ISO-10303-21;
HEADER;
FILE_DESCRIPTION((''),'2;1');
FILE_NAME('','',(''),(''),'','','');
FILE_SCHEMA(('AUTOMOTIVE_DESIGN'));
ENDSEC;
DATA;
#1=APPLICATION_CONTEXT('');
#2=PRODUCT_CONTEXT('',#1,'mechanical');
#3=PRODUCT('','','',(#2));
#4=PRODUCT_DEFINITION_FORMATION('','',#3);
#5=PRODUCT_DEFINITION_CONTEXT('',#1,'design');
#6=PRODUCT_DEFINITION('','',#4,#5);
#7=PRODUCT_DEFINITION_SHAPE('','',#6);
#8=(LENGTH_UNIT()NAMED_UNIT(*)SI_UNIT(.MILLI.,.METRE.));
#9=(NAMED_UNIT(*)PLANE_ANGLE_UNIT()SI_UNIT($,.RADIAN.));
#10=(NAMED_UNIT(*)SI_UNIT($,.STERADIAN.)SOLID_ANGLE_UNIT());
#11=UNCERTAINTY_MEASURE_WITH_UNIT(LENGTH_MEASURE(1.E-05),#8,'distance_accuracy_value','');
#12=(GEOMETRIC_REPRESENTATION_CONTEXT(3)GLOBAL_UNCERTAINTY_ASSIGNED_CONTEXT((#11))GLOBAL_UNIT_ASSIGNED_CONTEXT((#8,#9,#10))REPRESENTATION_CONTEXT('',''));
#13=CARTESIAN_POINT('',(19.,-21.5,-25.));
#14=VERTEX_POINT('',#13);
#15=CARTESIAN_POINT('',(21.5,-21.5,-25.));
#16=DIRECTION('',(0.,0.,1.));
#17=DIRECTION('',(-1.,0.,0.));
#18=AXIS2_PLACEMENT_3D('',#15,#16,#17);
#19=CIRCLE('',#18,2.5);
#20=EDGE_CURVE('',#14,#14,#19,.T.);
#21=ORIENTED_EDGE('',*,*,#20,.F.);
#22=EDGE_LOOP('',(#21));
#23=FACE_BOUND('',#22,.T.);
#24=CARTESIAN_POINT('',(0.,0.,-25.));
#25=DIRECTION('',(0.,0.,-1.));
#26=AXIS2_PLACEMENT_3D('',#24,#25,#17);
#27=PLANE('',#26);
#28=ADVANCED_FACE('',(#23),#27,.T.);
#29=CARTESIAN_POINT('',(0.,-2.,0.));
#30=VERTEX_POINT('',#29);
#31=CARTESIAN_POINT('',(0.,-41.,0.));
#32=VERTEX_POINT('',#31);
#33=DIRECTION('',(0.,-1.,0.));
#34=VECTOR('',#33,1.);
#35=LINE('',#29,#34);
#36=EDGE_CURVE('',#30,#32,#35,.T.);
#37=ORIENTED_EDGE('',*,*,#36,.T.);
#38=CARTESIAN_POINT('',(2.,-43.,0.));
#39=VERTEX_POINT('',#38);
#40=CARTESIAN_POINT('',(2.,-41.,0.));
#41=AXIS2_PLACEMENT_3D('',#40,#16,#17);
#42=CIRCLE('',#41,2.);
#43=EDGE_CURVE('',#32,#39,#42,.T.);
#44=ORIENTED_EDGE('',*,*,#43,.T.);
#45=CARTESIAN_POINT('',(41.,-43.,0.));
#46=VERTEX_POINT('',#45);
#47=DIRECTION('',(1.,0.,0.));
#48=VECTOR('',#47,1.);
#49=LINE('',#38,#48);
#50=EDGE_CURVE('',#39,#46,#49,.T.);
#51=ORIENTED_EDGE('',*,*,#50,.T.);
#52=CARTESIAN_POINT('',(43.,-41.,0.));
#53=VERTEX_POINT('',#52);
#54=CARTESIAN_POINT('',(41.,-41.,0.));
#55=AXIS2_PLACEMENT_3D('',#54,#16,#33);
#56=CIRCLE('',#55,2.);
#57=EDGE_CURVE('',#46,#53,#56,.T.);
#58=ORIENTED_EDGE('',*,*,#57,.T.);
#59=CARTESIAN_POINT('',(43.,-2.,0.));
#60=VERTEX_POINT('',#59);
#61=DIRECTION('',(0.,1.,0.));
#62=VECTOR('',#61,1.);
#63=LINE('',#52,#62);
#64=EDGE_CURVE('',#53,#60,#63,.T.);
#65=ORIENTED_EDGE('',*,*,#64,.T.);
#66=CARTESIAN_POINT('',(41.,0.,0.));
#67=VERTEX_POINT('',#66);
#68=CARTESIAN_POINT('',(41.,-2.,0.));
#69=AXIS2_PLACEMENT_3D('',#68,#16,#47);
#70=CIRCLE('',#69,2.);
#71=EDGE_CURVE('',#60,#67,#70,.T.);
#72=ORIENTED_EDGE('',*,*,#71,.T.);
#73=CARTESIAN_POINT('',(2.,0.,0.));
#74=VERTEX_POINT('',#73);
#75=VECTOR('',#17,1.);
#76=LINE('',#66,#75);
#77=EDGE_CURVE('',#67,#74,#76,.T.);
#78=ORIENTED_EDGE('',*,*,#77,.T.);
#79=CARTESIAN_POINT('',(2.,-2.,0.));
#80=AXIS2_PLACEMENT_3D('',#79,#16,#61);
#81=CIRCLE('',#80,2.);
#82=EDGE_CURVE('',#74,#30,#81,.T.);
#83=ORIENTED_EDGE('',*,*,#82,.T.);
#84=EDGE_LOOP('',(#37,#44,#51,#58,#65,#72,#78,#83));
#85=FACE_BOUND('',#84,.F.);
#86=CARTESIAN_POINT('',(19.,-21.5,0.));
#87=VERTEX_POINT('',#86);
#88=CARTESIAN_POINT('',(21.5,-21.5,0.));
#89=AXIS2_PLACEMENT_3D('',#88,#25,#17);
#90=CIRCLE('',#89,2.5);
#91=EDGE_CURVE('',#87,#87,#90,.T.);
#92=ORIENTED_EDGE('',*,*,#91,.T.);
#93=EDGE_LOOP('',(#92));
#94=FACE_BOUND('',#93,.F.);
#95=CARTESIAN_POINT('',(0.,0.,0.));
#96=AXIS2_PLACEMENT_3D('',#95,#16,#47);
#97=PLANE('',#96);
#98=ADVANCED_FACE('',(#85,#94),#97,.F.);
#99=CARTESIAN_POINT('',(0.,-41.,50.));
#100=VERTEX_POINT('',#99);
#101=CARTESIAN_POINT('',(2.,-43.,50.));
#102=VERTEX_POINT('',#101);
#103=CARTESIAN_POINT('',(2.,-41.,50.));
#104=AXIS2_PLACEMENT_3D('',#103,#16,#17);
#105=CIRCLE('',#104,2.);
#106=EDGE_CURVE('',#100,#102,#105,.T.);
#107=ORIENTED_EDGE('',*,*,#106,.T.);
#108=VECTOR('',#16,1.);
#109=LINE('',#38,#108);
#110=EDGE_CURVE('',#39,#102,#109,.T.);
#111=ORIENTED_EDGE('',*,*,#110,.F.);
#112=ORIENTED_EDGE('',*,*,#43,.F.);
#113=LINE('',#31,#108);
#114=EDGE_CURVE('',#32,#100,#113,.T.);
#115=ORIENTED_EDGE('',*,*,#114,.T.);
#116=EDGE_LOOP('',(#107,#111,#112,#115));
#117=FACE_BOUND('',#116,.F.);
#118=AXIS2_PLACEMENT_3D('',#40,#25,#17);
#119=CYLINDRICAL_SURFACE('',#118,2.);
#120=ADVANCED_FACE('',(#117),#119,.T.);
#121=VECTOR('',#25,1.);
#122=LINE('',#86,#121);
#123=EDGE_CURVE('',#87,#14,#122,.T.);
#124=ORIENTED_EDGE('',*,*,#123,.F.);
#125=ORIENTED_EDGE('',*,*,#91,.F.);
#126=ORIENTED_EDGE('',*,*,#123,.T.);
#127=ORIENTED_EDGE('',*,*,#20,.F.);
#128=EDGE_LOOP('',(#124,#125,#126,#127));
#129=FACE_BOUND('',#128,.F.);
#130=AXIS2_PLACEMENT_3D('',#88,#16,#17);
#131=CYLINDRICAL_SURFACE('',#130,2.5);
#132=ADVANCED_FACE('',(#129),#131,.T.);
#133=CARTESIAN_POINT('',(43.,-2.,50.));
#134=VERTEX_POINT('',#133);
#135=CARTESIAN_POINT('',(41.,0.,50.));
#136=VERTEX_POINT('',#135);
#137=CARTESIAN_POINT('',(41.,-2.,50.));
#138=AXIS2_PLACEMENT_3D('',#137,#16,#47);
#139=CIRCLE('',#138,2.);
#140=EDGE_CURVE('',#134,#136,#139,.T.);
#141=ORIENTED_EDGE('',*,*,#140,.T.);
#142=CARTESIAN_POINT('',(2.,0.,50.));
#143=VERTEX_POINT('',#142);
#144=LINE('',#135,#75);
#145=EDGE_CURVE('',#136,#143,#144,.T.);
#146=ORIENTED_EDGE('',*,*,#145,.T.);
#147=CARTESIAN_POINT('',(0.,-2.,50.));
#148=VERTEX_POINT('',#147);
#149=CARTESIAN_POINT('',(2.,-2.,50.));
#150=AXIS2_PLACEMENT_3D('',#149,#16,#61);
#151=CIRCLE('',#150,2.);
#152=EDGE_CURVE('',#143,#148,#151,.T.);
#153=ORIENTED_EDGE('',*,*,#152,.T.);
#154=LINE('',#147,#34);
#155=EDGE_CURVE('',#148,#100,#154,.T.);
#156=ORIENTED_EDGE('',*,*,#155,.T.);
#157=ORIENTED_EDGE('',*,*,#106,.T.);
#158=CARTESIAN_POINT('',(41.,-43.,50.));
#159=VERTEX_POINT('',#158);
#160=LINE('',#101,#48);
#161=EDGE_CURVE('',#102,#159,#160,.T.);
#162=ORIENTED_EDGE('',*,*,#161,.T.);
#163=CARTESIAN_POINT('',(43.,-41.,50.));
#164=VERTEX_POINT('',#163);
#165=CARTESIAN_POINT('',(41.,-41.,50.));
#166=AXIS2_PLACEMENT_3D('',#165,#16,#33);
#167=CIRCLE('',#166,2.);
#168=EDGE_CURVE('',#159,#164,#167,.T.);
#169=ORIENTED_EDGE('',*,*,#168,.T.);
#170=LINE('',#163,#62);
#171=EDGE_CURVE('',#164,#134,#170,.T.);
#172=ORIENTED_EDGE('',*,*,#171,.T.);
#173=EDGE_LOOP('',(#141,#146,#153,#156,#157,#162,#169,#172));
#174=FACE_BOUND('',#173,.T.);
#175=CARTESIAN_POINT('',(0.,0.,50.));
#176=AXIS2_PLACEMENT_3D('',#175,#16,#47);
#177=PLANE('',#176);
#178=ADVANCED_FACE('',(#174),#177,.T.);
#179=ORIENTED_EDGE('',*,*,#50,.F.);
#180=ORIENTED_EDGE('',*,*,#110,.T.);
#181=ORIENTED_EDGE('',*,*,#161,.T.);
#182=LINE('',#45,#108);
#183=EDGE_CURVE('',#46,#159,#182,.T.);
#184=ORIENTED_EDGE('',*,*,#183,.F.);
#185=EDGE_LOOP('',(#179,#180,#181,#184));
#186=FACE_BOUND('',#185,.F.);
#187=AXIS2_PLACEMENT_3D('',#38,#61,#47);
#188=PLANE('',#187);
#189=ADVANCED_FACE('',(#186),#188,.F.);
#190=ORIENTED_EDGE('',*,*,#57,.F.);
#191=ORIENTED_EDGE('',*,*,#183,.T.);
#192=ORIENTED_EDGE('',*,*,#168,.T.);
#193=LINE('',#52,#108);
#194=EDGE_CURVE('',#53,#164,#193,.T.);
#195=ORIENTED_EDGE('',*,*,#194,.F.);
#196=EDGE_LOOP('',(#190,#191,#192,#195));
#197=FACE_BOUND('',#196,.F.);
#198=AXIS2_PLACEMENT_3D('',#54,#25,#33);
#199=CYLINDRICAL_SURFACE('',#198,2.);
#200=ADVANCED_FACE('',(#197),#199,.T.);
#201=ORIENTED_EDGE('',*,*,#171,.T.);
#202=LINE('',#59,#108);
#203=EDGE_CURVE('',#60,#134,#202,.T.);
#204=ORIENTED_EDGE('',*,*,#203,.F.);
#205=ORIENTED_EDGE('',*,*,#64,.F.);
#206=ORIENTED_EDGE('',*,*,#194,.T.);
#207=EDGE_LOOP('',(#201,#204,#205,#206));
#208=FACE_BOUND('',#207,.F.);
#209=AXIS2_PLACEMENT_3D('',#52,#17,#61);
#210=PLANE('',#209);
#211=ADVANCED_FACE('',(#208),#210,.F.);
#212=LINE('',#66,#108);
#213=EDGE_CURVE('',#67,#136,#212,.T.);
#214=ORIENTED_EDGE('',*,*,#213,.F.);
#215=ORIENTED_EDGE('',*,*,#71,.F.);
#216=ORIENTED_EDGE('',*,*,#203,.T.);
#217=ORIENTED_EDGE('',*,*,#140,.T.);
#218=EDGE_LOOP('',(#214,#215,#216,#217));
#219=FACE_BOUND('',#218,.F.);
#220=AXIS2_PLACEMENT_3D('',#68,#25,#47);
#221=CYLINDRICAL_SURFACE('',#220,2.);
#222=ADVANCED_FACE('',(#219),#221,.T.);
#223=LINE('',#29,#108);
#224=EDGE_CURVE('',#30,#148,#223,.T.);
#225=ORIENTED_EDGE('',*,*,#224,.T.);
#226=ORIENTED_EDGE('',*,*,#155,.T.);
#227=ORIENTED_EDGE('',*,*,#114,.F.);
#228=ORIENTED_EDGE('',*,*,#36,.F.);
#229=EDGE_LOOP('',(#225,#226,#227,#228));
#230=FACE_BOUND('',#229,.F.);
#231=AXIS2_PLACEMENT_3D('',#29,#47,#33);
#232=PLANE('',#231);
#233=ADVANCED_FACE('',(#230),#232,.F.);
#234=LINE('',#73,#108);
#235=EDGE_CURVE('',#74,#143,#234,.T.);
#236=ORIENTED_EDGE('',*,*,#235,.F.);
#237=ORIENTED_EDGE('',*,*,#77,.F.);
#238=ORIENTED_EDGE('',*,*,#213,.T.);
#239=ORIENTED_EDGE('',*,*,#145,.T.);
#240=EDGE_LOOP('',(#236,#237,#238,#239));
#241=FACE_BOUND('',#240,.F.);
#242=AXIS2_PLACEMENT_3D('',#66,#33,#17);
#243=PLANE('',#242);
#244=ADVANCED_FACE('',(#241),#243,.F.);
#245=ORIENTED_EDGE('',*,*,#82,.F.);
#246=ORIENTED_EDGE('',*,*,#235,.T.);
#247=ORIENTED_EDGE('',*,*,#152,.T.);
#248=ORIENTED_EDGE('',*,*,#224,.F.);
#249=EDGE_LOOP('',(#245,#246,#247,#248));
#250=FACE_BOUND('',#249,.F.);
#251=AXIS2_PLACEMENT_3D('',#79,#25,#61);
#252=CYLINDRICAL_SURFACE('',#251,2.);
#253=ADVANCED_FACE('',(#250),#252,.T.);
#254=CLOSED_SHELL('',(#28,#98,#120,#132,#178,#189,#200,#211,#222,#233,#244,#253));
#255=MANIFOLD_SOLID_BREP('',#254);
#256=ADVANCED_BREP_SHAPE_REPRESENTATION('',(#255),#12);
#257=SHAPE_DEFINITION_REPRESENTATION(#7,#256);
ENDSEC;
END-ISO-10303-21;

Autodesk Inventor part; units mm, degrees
ref_plane "YZ Plane" through (0, 0, 0) normal (1, 0, 0) x (0, 1, 0)
ref_plane "XZ Plane" through (0, 0, 0) normal (0, 1, 0) x (-1, 0, 0)
ref_plane "XY Plane" through (0, 0, 0) normal (0, 0, 1) x (1, 0, 0)
sketch "Sketch1" plane through (0, 0, 0) normal (0, 0, 1) x (1, 0, 0)
  line L0 (0, -2) -> (0, -41)
  line L1 (2, -43) -> (41, -43)
  line L2 (43, -41) -> (43, -2)
  line L3 (41, 0) -> (2, 0)
  arc A0 (0, -41) -> (2, -43) centre (2, -41) ccw
  arc A1 (43, -2) -> (41, 0) centre (41, -2) ccw
  arc A2 (2, 0) -> (0, -2) centre (2, -2) ccw
  arc A3 (41, -43) -> (43, -41) centre (41, -41) ccw
  point P0 (0, 0)
  point P1 (0, -43)
  point P2 (43, -43)
  point P3 (43, 0)
  dimension "d0" = 43
  dimension "d1" = 43
  dimension "d7" = 2
extrude "Extrusion1" add sketch "Sketch1" along normal blind 50
sketch "Sketch2" plane through (0, 0, 0) normal (0, 0, -1) x (-1, 0, 0)
  line L0 (-43, -41) -> (-43, -2) projected
  line L1 (-2, -43) -> (-41, -43) projected
  line L2 (-43, 0) -> (0, -43)
  line L3 (0, -43) -> (0, 0)
  line L4 (0, 0) -> (-43, -43)
  circle A0 centre (-21.5, -21.5) radius 2.5
  circle A1 centre (-21.5, -21.5) radius 11
  dimension "d4" = 5
  dimension "d8" = 22
extrude "Extrusion2" add sketch "Sketch2" along normal blind 25 contours A0 L4 L2 | L2 L4 A0 | L4 A0 L2 | L2 A0 L4
ref_plane "Work Plane2" through (21.5, -41, 0) normal (1, 0, 0) x (0, 0, -1)
ref_plane "Work Plane3" through (21.5, -21.5, -25) normal (0, 0, -1) x (-1, 0, 0)
properties part number "motor"
